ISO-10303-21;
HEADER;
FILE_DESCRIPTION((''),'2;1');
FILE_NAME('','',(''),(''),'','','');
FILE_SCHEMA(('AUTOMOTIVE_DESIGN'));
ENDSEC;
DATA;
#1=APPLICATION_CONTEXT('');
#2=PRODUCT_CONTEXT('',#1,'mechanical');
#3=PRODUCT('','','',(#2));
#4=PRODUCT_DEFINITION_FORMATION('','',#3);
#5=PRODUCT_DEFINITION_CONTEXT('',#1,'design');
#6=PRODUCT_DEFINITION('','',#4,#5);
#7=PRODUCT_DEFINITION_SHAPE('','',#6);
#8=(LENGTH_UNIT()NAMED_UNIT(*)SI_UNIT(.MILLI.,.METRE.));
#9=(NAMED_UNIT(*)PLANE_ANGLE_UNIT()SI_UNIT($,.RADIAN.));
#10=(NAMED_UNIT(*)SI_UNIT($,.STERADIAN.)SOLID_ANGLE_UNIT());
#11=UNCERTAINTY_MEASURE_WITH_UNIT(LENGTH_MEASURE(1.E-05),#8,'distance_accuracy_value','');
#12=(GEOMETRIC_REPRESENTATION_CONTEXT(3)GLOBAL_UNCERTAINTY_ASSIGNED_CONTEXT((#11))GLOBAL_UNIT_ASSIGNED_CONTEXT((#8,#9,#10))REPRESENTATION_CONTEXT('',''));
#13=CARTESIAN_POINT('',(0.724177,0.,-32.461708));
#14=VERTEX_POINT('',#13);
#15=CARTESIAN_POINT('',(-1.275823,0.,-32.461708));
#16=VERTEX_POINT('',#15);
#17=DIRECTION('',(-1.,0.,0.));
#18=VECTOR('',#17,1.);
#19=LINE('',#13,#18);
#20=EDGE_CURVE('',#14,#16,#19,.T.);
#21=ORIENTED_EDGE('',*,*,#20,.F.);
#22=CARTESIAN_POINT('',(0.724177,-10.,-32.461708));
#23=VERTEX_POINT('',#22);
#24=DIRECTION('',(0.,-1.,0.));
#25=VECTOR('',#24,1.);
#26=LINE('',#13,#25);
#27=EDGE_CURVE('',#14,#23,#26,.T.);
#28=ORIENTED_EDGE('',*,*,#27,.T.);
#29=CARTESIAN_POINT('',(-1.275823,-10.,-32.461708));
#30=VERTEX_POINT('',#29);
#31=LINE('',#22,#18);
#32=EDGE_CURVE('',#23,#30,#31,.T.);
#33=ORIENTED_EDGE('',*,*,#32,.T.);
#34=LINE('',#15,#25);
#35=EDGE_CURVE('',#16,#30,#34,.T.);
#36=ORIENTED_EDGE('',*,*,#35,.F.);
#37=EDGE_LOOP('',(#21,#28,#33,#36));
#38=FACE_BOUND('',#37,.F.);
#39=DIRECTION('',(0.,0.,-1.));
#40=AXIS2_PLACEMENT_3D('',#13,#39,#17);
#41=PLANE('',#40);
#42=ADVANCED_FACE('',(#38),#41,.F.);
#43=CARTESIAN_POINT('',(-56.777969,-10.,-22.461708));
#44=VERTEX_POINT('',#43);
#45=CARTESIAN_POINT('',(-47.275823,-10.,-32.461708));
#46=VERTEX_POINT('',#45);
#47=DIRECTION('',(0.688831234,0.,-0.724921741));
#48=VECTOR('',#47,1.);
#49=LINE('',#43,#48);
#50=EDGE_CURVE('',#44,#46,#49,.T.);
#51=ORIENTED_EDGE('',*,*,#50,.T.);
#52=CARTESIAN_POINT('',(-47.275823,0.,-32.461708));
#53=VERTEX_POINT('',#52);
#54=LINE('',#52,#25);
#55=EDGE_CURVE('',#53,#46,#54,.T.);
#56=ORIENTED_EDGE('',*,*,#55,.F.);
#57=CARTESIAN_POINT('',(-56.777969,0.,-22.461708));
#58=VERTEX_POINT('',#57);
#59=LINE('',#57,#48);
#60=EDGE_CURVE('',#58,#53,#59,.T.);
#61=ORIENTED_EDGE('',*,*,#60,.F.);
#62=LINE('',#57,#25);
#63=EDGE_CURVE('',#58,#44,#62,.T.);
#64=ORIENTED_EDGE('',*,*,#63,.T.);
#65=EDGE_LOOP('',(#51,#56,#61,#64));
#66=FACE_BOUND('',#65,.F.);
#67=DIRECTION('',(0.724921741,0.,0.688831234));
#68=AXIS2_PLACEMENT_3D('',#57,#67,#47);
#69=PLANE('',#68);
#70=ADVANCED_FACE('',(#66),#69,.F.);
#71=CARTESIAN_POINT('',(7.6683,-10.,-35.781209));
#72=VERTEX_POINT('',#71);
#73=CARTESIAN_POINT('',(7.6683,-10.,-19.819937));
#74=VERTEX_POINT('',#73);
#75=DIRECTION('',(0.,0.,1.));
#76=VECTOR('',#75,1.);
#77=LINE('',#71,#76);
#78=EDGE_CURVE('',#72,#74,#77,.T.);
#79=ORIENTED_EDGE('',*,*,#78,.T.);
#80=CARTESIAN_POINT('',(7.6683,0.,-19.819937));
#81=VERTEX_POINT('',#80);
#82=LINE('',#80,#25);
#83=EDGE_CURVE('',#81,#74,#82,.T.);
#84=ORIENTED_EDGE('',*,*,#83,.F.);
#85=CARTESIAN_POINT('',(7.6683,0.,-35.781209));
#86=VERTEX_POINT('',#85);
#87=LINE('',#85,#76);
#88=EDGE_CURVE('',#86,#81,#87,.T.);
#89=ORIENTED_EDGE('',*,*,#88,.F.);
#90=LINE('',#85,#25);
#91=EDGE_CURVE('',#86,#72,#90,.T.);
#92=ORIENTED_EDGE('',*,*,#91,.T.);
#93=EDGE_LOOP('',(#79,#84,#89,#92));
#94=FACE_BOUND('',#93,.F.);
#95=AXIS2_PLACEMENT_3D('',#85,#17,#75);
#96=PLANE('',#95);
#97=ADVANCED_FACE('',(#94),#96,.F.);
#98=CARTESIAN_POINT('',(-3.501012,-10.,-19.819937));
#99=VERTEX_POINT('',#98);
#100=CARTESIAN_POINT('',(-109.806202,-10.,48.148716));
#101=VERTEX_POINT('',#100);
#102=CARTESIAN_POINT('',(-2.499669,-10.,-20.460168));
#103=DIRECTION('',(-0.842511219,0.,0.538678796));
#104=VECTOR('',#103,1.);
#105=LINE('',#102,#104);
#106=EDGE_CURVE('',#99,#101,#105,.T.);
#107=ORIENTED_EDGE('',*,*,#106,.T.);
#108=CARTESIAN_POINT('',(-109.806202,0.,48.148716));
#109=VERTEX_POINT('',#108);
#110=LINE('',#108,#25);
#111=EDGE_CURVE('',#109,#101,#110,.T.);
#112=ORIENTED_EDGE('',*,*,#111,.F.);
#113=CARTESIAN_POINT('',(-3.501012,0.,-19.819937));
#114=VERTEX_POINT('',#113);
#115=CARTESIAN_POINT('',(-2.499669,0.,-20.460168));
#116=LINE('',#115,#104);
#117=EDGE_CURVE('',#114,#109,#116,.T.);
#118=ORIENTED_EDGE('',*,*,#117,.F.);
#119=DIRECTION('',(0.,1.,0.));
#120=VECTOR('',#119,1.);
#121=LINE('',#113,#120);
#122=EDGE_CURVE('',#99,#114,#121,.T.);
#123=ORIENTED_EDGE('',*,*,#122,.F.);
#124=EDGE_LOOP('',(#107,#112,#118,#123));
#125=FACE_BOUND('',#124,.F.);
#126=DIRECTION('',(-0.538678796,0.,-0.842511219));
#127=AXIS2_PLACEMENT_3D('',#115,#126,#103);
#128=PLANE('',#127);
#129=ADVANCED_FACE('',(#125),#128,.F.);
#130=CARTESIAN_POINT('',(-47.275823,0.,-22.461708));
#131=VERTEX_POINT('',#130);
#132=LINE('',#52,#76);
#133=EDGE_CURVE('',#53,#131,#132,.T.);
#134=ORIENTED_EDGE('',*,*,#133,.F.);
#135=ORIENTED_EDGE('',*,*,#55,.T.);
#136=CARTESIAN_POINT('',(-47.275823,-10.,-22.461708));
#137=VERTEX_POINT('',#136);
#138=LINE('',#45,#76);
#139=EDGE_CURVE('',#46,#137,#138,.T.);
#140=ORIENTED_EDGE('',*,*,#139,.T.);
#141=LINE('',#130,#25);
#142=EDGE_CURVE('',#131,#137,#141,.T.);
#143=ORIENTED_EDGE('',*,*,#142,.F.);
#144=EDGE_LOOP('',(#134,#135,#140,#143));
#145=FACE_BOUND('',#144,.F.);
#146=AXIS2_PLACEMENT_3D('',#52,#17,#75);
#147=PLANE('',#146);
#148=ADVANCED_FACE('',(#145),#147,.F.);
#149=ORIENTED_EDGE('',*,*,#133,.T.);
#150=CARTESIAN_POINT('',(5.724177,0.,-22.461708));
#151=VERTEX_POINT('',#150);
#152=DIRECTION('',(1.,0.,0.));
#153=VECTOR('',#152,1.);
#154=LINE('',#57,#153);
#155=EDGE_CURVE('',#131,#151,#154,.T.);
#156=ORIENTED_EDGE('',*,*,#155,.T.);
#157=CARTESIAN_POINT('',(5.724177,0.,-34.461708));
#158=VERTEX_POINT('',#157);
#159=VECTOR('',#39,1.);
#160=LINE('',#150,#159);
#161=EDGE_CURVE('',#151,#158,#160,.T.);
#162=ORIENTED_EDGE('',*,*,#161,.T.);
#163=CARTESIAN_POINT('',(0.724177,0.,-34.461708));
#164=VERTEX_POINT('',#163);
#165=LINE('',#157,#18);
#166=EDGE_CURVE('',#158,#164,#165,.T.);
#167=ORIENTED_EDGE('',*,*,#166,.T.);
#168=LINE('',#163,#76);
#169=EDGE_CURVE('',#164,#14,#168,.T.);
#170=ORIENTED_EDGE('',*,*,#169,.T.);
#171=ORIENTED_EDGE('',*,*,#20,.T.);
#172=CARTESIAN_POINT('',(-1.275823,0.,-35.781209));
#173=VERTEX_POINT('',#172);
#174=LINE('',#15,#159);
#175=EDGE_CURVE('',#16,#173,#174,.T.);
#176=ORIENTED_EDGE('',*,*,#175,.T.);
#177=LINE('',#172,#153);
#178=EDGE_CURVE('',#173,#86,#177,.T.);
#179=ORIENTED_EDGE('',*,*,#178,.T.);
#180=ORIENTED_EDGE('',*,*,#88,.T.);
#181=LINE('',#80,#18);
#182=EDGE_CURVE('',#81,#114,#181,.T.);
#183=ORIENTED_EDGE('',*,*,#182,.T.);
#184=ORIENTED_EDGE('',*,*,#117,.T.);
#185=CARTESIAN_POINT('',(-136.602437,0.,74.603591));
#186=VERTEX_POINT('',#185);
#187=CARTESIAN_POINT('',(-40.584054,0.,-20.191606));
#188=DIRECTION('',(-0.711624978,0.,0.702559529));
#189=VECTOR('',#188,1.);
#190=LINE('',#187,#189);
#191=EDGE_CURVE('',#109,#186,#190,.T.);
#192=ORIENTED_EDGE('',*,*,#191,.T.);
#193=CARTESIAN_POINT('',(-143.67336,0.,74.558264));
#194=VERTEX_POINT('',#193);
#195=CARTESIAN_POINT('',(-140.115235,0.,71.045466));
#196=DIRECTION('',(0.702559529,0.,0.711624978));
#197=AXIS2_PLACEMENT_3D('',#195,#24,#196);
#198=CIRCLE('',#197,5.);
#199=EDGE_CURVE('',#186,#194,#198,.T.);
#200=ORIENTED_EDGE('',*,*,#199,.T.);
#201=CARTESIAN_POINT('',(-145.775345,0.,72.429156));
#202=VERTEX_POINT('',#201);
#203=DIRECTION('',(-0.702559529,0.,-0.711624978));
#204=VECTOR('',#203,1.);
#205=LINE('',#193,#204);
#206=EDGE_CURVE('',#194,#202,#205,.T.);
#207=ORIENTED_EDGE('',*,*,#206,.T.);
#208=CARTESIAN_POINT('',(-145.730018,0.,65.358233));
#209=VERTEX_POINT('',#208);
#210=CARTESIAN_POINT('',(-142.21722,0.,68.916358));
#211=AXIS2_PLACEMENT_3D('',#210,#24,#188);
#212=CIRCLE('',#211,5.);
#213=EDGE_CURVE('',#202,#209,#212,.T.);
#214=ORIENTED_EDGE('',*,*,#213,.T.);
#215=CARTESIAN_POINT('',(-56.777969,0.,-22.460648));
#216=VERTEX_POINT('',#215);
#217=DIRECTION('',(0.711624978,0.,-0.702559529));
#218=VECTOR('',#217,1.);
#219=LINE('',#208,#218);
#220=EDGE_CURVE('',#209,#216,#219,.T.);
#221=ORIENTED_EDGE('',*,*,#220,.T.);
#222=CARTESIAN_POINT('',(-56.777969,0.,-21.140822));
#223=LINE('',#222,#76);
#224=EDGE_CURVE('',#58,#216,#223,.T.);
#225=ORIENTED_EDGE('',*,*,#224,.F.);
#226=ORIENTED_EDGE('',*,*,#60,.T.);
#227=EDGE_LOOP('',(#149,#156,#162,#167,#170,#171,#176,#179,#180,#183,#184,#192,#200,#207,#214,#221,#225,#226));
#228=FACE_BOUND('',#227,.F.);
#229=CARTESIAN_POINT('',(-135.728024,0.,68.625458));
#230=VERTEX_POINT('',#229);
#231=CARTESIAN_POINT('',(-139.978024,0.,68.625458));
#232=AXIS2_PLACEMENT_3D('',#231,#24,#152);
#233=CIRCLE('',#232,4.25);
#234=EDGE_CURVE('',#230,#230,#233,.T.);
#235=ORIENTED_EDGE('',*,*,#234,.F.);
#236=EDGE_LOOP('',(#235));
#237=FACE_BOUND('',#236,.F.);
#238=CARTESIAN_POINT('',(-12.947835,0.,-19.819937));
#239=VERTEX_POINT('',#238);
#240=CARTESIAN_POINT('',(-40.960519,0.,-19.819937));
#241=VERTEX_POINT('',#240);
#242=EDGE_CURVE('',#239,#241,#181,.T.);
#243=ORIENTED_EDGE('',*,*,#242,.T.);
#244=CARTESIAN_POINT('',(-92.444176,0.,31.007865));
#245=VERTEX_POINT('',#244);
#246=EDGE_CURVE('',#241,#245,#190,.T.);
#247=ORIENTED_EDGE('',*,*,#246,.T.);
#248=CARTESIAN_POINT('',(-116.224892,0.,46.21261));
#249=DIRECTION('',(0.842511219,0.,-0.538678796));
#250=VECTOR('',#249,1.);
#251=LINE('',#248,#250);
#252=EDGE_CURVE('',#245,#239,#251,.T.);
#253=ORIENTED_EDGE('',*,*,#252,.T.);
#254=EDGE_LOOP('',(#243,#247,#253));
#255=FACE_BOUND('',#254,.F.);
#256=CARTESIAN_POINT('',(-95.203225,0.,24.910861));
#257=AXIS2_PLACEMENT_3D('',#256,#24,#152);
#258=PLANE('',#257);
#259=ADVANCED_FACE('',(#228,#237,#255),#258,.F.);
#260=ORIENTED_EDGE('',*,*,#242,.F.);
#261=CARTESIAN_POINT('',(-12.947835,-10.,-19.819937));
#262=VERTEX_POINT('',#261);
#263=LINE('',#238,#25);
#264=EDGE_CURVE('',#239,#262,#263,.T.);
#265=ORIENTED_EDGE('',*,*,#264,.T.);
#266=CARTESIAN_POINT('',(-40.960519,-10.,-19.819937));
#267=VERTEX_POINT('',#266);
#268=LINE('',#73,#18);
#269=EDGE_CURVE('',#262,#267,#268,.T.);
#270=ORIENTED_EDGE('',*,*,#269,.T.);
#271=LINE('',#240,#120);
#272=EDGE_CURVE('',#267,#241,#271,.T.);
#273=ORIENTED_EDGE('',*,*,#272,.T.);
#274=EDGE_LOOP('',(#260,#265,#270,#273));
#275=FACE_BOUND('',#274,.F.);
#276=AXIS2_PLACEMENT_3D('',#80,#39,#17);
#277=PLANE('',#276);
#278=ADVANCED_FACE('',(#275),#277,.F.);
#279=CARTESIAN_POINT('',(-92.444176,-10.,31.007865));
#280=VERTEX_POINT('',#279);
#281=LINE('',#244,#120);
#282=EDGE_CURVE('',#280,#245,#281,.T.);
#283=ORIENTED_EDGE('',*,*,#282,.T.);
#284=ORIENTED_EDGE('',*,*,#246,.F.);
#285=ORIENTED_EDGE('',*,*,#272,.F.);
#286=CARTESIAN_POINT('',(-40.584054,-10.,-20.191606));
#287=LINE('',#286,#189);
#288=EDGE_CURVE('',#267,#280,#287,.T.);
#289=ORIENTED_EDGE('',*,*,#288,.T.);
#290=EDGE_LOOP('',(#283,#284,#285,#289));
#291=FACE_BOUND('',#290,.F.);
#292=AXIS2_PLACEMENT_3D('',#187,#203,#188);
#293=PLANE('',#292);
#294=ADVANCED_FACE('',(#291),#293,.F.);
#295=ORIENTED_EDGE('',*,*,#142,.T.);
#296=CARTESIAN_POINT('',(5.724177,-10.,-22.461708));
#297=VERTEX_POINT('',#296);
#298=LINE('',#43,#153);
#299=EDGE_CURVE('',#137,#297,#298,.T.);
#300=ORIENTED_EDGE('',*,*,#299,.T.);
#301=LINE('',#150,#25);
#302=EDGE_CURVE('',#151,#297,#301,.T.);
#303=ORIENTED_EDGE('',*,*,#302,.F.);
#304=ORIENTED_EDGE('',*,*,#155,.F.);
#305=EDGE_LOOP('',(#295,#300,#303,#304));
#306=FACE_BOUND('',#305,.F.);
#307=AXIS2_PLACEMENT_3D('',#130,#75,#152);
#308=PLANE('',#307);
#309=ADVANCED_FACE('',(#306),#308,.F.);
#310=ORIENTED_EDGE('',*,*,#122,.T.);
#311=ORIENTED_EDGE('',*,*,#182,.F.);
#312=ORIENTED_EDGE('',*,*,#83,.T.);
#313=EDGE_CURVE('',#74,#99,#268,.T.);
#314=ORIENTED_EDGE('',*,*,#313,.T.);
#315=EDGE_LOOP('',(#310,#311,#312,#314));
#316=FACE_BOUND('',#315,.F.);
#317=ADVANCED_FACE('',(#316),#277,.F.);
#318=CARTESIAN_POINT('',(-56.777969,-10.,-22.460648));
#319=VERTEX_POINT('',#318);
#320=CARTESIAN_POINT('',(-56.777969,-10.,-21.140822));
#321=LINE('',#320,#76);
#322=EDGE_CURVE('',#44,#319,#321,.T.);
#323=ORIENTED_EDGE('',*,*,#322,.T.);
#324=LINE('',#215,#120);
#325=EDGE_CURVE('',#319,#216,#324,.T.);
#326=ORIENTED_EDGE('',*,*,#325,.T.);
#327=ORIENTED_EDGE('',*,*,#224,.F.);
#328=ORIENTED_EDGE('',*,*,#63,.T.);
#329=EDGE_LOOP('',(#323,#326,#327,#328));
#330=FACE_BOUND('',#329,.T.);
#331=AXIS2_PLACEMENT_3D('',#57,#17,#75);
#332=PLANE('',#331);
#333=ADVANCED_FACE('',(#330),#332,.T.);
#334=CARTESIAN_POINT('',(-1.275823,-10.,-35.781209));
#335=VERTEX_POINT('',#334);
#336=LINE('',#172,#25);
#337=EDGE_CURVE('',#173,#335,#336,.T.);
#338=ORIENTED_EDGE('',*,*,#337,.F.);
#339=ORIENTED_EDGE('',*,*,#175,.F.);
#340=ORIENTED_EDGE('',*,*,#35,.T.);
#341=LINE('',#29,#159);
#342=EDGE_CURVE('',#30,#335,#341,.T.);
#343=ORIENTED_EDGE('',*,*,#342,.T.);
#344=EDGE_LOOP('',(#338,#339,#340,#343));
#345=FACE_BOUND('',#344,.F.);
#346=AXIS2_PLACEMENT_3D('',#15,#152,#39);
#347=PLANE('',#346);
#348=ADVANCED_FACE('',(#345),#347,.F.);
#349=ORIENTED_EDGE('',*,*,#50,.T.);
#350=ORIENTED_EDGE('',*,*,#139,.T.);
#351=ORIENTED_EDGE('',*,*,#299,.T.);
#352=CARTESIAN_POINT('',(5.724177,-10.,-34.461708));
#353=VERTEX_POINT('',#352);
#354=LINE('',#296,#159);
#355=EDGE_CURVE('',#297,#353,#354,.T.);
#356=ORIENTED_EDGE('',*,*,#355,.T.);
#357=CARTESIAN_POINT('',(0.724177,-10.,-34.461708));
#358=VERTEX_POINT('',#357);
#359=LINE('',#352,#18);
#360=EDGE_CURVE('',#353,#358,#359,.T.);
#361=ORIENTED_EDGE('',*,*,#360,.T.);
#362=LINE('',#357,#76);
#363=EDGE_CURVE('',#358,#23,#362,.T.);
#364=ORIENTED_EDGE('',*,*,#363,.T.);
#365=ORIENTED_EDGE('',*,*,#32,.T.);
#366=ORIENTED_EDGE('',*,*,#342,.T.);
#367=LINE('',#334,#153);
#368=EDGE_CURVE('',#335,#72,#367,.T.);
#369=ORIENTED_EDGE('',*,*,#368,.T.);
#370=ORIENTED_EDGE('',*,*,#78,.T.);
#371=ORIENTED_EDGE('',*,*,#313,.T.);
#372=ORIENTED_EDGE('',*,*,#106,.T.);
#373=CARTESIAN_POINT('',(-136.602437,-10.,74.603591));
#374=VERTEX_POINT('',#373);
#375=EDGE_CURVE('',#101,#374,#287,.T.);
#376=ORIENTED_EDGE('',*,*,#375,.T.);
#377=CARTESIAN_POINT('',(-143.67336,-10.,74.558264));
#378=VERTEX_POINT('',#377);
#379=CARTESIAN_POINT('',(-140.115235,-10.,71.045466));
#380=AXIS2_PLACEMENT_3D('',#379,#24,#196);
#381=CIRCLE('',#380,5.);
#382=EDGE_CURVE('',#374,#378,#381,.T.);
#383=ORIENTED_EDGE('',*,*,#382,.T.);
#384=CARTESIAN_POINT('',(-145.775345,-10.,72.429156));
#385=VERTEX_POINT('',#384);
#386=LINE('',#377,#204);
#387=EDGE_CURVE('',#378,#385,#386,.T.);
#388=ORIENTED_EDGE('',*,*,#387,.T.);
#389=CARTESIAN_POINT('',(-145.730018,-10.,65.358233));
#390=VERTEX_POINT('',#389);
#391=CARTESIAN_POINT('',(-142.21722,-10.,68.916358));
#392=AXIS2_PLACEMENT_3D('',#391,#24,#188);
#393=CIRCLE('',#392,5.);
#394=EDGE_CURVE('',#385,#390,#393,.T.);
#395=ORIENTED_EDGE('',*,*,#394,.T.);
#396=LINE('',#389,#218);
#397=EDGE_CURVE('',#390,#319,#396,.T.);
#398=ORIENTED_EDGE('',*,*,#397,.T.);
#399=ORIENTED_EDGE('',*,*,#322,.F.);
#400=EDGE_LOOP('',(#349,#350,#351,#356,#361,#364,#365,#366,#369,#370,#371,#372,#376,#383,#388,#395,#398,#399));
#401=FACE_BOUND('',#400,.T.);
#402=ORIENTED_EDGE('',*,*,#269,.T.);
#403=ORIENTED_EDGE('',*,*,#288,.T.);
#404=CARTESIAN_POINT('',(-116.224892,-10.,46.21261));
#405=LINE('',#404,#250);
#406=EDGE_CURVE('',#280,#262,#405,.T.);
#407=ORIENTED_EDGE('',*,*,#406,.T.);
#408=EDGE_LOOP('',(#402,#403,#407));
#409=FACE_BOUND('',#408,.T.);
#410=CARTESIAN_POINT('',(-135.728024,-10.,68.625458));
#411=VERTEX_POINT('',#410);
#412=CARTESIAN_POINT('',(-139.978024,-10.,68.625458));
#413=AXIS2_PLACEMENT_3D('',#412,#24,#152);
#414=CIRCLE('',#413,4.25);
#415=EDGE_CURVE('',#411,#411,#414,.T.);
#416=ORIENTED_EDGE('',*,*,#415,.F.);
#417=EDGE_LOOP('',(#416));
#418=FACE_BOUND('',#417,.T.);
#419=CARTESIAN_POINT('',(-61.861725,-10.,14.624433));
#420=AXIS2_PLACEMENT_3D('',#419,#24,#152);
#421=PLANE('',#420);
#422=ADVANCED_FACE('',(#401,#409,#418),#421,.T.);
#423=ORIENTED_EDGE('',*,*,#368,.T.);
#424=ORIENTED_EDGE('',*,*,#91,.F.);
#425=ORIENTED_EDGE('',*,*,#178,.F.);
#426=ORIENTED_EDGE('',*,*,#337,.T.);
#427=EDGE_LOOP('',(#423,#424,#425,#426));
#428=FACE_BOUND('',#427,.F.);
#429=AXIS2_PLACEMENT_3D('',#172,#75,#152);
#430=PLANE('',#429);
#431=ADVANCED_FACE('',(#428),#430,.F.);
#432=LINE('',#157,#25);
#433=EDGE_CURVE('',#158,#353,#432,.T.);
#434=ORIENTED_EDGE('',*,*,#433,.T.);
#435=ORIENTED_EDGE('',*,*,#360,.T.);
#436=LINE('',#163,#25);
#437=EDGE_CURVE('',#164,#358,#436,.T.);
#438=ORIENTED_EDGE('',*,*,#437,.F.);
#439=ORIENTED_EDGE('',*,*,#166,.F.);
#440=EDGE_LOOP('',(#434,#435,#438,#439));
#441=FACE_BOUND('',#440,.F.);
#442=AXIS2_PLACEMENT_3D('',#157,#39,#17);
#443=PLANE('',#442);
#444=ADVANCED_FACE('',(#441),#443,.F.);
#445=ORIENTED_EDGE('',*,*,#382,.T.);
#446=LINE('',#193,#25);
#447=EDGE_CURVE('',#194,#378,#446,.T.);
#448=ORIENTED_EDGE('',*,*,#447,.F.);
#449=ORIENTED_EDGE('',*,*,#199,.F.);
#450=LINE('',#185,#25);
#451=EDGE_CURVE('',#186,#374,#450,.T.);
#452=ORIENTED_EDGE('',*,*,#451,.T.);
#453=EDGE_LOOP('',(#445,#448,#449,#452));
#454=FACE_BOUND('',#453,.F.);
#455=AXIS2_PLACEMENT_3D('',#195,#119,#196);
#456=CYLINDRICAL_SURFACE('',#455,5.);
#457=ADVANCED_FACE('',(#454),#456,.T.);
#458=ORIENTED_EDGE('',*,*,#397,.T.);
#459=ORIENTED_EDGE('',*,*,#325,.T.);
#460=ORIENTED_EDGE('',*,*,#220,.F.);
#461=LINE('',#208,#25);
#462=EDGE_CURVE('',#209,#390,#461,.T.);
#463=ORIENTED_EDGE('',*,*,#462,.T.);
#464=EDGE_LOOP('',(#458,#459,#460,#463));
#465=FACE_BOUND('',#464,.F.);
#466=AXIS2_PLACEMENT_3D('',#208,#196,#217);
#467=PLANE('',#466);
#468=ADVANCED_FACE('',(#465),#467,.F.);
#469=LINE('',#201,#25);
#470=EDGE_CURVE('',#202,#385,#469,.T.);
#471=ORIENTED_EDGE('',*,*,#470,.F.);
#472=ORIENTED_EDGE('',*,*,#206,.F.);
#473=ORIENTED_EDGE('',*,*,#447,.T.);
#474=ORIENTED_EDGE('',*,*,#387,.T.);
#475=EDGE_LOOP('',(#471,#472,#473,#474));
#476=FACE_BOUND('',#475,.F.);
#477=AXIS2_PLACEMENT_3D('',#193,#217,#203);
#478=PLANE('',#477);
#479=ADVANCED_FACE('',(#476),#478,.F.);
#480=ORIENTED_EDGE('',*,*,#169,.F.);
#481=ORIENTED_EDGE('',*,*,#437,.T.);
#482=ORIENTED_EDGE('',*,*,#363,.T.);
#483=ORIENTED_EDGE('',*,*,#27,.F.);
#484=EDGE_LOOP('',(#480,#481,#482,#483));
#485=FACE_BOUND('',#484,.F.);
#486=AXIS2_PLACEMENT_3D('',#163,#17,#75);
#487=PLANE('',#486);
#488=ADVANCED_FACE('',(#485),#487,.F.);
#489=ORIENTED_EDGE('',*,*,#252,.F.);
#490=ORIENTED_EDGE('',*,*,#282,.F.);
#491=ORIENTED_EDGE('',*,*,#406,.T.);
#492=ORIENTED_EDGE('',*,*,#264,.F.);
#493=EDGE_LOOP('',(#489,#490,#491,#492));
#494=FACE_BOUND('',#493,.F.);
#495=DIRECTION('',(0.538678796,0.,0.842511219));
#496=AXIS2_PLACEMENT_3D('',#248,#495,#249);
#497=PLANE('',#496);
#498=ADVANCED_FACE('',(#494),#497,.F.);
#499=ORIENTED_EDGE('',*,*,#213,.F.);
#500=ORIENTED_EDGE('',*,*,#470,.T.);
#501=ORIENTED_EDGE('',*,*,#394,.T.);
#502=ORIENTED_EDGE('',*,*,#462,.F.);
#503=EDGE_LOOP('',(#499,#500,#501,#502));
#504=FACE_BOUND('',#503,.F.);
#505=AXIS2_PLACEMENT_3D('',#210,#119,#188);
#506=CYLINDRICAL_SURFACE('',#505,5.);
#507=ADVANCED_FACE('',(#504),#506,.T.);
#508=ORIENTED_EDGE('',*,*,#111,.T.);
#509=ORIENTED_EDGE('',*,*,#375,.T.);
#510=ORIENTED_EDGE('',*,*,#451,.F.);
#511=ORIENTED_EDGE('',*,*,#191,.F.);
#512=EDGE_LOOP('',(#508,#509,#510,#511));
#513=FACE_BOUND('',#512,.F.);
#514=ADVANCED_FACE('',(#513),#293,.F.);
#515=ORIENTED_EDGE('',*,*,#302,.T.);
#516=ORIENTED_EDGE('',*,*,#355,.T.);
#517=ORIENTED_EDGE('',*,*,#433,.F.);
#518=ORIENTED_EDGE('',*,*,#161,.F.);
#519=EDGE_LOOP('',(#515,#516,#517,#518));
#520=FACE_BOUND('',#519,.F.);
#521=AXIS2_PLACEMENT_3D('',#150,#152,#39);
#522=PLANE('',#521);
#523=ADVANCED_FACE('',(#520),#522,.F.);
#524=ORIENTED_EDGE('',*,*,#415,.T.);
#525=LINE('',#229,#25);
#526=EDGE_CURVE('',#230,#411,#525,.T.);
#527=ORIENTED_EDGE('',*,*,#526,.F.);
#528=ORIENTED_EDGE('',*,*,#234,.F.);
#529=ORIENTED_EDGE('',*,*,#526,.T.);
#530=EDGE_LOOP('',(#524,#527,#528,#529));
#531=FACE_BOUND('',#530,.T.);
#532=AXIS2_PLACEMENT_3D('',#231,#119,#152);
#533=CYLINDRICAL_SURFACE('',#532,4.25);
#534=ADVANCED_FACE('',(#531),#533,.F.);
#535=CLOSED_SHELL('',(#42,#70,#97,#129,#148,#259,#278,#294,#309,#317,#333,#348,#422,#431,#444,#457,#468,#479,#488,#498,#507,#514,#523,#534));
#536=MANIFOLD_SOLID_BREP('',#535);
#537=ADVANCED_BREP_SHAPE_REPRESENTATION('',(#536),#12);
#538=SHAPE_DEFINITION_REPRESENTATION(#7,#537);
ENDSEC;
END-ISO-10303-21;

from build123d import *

# Parameters (mm, degrees)
F0_W     = 9.5021461621
F0_H     = 2.6417713279
F2_DEPTH = 10
F1_R     = 4.25
F4_DEPTH = 10


with BuildPart() as f2:
    # F0 (on Front) → F2 (new body)
    with BuildSketch(Plane.XZ):
        Polygon((-1.2758228406, -32.4617078483), (-1.2758228406, -35.7812091163), (7.6683001402, -35.7812091163), (7.6683001402, -19.8199365203), (-47.2758228406, -19.8199365203), (-47.2758228406, -22.4617078483), (5.7241771594, -22.4617078483), (5.7241771594, -34.4617078483), (0.7241771594, -34.4617078483), (0.7241771594, -32.4617078483), align=None)
        with Locations((-52.0268959217, -21.1408221843)):
            Rectangle(F0_W, F0_H)
        Polygon((-47.2758228406, -32.4617078483), (-47.2758228406, -22.4617078483), (-56.7779690027, -22.4617078483), align=None)
    extrude(amount=F2_DEPTH)



with BuildPart() as f2b:
    # F1 (on Front) → F2, piece 2 (new body)
    with BuildSketch(Plane.XZ):
        with BuildLine():
            Line((-145.7300181234, 65.3582332276), (-56.7768959217, -22.4617078483))
            Line((-56.7768959217, -22.4617078483), (-40.5840538442, -20.1916061342))
            Line((-40.5840538442, -20.1916061342), (-136.6024373877, 74.6035913392))
            ThreePointArc((-136.6024373877, 74.6035913392), (-140.1472862331, 76.0453637221), (-143.6733599188, 74.5582640942))
            Line((-143.6733599188, 74.5582640942), (-145.7753453684, 72.4291557587))
            ThreePointArc((-145.7753453684, 72.4291557587), (-147.2171177514, 68.8843069133), (-145.7300181234, 65.3582332276))
        make_face()
        with Locations((-139.9780238936, 68.6254584758)):
            Circle(F1_R, mode=Mode.SUBTRACT)
    extrude(amount=F2_DEPTH)


with BuildPart() as f2_1:
    add(f2.part)

    add(f2b.part)  # F4 merges F2b
    # F3 (on Front) → F4 (join)
    with BuildSketch(Plane.XZ):
        Polygon((-2.4996690918, -20.4601678997), (-118.4480087704, 53.6740520599), (-116.2248924375, 46.2126098573), (-11.9464918971, -20.4601678997), align=None)
    extrude(amount=F4_DEPTH)


solid = f2_1.part
